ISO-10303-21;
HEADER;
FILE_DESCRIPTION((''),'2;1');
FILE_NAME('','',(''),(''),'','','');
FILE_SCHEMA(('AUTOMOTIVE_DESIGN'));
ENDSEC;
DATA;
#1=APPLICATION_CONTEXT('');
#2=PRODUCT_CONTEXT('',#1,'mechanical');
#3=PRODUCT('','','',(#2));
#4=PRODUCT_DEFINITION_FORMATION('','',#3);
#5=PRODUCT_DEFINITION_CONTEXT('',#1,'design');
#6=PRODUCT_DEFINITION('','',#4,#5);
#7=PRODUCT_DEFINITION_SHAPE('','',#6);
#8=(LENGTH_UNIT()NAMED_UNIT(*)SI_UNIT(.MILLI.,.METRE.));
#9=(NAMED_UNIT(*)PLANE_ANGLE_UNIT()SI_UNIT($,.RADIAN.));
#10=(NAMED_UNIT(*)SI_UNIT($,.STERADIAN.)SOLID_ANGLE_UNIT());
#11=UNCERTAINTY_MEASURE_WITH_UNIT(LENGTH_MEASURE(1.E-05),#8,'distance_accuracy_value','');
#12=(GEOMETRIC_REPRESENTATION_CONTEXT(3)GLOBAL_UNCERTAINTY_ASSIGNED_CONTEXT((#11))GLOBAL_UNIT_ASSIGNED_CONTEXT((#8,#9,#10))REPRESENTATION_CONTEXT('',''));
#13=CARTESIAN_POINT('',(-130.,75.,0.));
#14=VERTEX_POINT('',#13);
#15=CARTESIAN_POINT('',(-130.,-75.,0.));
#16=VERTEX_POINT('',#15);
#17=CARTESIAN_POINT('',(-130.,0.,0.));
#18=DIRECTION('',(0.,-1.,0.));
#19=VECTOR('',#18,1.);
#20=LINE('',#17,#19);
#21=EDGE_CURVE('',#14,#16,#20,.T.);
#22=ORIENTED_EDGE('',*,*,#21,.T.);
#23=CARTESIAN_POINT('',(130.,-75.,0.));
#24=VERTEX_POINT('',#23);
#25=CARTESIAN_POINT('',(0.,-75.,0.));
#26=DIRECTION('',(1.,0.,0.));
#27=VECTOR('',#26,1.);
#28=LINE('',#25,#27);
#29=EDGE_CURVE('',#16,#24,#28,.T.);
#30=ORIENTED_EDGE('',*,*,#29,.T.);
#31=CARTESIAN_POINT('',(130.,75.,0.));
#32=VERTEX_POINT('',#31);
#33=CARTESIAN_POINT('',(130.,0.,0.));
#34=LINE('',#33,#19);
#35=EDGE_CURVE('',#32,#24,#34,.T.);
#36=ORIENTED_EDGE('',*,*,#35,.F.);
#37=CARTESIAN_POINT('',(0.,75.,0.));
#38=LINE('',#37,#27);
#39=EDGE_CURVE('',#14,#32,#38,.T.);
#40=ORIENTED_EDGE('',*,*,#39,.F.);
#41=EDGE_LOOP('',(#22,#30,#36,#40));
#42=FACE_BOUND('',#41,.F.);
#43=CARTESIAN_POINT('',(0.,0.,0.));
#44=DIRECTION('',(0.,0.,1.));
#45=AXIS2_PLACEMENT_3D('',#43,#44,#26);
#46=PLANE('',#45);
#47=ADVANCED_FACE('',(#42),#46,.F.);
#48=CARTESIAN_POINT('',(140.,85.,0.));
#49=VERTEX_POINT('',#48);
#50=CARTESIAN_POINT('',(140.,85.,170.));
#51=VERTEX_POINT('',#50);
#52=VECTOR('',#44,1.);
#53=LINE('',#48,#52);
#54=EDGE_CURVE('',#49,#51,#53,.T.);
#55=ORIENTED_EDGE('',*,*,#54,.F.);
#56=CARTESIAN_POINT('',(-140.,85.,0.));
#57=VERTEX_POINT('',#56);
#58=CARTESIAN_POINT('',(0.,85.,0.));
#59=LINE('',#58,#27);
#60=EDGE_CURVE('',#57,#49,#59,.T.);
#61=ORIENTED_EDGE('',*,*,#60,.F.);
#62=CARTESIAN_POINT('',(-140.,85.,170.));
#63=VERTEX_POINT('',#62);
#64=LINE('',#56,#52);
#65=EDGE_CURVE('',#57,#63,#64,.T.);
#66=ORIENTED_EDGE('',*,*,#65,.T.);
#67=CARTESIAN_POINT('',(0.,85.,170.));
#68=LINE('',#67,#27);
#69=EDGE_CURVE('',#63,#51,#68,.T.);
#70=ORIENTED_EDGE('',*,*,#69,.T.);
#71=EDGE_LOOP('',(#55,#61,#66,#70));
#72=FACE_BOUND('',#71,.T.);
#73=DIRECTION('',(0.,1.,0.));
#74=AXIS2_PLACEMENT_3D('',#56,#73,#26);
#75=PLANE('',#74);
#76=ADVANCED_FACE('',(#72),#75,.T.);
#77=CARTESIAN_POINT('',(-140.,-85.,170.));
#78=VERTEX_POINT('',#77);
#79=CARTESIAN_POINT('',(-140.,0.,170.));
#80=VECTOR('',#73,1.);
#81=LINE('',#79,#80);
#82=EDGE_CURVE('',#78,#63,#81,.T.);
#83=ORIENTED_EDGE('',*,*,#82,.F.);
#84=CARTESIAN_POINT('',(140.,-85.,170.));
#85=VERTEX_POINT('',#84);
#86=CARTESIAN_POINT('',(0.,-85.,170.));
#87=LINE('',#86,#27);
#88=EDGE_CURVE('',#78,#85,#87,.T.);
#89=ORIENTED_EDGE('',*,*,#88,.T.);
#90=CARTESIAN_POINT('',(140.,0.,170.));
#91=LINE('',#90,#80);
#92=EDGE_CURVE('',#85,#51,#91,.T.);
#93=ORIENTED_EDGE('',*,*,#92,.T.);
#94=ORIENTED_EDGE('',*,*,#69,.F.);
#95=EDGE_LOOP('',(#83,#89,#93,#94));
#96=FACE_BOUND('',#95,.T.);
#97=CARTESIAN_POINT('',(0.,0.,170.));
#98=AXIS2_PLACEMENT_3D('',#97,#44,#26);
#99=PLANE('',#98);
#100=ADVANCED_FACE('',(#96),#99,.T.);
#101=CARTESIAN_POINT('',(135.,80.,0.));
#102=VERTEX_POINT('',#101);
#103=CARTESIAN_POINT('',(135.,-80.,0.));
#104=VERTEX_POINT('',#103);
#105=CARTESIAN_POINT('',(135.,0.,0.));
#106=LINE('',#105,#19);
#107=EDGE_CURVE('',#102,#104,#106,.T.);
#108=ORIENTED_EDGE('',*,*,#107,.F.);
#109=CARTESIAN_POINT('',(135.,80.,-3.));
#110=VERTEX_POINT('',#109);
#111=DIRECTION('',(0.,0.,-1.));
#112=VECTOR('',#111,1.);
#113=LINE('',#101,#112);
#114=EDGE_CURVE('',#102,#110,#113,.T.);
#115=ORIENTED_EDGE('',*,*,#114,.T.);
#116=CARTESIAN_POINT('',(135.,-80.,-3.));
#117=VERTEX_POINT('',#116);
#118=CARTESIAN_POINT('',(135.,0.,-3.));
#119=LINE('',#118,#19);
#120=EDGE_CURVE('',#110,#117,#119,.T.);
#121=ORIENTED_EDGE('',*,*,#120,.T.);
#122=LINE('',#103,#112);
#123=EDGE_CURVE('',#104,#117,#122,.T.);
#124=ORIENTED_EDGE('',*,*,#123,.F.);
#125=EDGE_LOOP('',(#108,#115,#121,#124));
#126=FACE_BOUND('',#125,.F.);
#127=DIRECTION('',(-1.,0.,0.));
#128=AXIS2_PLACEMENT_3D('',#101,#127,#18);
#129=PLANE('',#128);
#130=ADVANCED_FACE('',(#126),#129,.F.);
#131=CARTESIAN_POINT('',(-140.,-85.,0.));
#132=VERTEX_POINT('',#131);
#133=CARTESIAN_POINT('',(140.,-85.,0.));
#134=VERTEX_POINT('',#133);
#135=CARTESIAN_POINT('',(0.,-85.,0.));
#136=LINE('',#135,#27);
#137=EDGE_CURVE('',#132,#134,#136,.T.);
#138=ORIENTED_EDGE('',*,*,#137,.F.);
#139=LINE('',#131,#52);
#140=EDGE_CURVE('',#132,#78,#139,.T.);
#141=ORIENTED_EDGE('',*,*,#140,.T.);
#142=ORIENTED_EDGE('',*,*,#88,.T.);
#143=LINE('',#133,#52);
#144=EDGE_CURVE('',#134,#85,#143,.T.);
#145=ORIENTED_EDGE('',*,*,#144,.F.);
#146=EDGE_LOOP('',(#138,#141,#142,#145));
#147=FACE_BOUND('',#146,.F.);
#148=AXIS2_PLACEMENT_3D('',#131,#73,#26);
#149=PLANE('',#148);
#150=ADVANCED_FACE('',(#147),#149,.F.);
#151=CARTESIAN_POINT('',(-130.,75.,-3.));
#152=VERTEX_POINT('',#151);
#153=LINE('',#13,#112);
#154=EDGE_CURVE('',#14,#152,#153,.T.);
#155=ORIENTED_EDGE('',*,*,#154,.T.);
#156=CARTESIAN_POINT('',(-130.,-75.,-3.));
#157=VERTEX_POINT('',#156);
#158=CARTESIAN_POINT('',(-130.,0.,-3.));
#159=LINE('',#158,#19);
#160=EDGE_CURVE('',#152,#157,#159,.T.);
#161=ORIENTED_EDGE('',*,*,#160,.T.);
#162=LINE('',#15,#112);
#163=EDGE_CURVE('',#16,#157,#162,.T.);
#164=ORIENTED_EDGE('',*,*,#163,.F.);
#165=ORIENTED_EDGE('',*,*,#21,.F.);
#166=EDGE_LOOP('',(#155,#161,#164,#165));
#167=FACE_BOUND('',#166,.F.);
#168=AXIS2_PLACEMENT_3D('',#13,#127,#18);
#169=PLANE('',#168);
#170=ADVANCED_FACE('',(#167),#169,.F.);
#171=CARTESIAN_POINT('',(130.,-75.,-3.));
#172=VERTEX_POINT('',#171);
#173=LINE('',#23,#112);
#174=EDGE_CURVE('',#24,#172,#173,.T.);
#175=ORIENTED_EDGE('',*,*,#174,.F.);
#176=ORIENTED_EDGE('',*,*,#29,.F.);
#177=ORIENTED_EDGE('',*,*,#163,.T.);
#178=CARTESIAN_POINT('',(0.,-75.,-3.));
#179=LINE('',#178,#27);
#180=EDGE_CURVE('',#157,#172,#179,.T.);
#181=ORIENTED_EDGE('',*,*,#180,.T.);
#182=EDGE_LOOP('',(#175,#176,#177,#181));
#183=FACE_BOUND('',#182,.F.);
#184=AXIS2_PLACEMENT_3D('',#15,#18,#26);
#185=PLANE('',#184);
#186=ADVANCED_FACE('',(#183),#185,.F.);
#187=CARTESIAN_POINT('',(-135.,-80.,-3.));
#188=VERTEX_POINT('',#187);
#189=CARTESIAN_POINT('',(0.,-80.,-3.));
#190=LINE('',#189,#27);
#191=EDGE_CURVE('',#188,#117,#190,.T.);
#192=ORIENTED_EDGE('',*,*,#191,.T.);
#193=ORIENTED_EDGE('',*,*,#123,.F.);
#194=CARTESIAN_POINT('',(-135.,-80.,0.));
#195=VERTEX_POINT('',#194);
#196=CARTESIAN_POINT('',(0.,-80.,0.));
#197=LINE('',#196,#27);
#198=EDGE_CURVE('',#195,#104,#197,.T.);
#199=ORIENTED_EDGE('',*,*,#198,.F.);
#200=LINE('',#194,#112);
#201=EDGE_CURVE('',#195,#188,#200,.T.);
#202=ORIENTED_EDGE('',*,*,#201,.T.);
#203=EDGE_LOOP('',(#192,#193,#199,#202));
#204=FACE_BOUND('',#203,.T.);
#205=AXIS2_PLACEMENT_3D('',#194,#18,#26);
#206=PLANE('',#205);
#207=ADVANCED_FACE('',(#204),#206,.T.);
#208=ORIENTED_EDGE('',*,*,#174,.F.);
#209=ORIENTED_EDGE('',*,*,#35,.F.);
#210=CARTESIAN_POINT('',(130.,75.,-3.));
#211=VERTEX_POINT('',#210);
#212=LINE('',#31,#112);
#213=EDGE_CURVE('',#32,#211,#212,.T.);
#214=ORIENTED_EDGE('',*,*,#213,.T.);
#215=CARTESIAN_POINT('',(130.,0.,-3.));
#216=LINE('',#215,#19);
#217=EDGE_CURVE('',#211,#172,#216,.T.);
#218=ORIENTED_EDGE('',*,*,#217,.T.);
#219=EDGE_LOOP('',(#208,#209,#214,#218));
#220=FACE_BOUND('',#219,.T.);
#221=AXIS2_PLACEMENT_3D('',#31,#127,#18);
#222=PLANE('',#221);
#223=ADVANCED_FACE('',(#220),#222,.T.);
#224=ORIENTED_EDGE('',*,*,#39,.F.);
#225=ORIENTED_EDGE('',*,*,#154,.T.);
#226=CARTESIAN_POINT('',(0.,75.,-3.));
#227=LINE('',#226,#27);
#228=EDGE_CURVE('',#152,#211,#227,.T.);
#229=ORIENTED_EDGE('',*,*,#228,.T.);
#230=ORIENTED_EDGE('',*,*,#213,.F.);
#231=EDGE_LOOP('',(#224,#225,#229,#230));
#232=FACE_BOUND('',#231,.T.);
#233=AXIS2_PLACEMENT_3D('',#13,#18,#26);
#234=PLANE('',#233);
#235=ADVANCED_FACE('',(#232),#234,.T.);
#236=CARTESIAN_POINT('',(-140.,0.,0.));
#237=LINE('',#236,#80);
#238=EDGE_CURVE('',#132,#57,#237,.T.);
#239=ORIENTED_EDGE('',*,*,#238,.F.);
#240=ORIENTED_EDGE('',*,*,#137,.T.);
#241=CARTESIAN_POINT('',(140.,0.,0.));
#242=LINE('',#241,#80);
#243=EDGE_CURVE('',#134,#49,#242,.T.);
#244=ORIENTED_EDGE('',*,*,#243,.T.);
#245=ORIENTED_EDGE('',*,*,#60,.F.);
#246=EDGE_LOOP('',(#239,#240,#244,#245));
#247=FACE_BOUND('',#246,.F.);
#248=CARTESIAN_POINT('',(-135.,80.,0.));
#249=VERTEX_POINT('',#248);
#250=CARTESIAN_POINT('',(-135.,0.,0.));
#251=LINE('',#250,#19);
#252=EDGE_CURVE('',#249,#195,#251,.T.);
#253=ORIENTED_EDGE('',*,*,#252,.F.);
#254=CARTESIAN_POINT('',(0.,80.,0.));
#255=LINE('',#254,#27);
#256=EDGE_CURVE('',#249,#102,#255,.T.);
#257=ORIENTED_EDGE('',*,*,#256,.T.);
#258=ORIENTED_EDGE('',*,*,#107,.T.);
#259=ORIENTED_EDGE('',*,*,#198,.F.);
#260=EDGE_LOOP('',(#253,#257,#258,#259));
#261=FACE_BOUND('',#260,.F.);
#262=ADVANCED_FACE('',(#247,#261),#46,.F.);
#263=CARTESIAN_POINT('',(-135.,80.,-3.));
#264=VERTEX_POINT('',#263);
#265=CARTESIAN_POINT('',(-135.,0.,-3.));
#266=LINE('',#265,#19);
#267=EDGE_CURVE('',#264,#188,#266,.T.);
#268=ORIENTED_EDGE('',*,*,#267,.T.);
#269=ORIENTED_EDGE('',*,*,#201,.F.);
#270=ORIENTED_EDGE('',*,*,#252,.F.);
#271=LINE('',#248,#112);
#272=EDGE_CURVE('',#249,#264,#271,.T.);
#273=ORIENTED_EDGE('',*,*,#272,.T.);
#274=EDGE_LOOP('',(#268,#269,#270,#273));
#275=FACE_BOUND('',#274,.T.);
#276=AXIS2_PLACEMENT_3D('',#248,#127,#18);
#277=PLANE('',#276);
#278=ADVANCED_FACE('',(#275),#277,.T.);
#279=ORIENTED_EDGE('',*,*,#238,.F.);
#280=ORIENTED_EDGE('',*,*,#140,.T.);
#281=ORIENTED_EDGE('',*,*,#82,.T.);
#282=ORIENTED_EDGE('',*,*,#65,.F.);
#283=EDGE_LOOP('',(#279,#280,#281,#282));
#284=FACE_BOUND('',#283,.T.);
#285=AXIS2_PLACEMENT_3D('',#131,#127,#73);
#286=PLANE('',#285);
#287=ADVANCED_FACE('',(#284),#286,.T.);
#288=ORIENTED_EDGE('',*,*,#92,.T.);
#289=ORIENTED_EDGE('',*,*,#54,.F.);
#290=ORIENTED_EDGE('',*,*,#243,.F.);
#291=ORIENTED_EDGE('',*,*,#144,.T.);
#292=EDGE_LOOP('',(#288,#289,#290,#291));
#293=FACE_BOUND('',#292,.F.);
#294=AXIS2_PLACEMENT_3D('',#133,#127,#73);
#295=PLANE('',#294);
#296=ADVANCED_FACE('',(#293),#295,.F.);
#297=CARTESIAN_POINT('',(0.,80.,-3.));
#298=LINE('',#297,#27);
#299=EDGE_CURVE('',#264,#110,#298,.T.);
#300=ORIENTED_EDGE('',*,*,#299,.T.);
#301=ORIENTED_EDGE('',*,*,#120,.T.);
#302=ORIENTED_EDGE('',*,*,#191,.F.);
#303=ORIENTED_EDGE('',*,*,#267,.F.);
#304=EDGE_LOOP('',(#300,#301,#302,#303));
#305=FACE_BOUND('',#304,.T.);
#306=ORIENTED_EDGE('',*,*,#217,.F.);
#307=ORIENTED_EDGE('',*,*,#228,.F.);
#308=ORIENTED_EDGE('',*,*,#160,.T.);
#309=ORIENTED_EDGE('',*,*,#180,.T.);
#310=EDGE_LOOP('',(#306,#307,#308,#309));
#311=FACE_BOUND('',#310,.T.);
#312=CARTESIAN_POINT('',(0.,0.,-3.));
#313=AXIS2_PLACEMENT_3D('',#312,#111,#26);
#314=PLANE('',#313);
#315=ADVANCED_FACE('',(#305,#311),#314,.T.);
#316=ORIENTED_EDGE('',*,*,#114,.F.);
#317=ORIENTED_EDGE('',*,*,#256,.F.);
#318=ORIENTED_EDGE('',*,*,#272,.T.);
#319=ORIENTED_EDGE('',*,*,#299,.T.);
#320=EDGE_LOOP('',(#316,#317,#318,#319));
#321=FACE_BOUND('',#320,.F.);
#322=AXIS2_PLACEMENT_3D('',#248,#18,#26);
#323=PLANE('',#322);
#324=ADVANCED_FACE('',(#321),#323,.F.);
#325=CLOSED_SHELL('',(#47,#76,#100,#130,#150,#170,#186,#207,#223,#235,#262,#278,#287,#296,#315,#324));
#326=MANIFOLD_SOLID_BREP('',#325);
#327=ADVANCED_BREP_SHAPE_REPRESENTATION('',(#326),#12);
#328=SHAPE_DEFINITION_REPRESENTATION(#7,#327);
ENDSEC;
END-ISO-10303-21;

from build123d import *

# Parameters (mm, degrees)
F0_W     = 280
F0_H     = 170
F1_DEPTH = 170
F2_W     = 270
F2_H     = 160
F2_W_2   = 260
F2_H_2   = 150
F3_DEPTH = 3


with BuildPart() as f1:
    # F0 (on Top) → F1 (new body)
    with BuildSketch(Plane.XY):
        Rectangle(F0_W, F0_H)
    extrude(amount=F1_DEPTH)

    # F2 (on face) → F3 (join)
    with BuildSketch(Plane(origin=(0, 0, 0), x_dir=(1, 0, 0), z_dir=(0, 0, -1))):
        Rectangle(F2_W, F2_H)
        Rectangle(F2_W_2, F2_H_2, mode=Mode.SUBTRACT)
    extrude(amount=F3_DEPTH)


solid = f1.part
